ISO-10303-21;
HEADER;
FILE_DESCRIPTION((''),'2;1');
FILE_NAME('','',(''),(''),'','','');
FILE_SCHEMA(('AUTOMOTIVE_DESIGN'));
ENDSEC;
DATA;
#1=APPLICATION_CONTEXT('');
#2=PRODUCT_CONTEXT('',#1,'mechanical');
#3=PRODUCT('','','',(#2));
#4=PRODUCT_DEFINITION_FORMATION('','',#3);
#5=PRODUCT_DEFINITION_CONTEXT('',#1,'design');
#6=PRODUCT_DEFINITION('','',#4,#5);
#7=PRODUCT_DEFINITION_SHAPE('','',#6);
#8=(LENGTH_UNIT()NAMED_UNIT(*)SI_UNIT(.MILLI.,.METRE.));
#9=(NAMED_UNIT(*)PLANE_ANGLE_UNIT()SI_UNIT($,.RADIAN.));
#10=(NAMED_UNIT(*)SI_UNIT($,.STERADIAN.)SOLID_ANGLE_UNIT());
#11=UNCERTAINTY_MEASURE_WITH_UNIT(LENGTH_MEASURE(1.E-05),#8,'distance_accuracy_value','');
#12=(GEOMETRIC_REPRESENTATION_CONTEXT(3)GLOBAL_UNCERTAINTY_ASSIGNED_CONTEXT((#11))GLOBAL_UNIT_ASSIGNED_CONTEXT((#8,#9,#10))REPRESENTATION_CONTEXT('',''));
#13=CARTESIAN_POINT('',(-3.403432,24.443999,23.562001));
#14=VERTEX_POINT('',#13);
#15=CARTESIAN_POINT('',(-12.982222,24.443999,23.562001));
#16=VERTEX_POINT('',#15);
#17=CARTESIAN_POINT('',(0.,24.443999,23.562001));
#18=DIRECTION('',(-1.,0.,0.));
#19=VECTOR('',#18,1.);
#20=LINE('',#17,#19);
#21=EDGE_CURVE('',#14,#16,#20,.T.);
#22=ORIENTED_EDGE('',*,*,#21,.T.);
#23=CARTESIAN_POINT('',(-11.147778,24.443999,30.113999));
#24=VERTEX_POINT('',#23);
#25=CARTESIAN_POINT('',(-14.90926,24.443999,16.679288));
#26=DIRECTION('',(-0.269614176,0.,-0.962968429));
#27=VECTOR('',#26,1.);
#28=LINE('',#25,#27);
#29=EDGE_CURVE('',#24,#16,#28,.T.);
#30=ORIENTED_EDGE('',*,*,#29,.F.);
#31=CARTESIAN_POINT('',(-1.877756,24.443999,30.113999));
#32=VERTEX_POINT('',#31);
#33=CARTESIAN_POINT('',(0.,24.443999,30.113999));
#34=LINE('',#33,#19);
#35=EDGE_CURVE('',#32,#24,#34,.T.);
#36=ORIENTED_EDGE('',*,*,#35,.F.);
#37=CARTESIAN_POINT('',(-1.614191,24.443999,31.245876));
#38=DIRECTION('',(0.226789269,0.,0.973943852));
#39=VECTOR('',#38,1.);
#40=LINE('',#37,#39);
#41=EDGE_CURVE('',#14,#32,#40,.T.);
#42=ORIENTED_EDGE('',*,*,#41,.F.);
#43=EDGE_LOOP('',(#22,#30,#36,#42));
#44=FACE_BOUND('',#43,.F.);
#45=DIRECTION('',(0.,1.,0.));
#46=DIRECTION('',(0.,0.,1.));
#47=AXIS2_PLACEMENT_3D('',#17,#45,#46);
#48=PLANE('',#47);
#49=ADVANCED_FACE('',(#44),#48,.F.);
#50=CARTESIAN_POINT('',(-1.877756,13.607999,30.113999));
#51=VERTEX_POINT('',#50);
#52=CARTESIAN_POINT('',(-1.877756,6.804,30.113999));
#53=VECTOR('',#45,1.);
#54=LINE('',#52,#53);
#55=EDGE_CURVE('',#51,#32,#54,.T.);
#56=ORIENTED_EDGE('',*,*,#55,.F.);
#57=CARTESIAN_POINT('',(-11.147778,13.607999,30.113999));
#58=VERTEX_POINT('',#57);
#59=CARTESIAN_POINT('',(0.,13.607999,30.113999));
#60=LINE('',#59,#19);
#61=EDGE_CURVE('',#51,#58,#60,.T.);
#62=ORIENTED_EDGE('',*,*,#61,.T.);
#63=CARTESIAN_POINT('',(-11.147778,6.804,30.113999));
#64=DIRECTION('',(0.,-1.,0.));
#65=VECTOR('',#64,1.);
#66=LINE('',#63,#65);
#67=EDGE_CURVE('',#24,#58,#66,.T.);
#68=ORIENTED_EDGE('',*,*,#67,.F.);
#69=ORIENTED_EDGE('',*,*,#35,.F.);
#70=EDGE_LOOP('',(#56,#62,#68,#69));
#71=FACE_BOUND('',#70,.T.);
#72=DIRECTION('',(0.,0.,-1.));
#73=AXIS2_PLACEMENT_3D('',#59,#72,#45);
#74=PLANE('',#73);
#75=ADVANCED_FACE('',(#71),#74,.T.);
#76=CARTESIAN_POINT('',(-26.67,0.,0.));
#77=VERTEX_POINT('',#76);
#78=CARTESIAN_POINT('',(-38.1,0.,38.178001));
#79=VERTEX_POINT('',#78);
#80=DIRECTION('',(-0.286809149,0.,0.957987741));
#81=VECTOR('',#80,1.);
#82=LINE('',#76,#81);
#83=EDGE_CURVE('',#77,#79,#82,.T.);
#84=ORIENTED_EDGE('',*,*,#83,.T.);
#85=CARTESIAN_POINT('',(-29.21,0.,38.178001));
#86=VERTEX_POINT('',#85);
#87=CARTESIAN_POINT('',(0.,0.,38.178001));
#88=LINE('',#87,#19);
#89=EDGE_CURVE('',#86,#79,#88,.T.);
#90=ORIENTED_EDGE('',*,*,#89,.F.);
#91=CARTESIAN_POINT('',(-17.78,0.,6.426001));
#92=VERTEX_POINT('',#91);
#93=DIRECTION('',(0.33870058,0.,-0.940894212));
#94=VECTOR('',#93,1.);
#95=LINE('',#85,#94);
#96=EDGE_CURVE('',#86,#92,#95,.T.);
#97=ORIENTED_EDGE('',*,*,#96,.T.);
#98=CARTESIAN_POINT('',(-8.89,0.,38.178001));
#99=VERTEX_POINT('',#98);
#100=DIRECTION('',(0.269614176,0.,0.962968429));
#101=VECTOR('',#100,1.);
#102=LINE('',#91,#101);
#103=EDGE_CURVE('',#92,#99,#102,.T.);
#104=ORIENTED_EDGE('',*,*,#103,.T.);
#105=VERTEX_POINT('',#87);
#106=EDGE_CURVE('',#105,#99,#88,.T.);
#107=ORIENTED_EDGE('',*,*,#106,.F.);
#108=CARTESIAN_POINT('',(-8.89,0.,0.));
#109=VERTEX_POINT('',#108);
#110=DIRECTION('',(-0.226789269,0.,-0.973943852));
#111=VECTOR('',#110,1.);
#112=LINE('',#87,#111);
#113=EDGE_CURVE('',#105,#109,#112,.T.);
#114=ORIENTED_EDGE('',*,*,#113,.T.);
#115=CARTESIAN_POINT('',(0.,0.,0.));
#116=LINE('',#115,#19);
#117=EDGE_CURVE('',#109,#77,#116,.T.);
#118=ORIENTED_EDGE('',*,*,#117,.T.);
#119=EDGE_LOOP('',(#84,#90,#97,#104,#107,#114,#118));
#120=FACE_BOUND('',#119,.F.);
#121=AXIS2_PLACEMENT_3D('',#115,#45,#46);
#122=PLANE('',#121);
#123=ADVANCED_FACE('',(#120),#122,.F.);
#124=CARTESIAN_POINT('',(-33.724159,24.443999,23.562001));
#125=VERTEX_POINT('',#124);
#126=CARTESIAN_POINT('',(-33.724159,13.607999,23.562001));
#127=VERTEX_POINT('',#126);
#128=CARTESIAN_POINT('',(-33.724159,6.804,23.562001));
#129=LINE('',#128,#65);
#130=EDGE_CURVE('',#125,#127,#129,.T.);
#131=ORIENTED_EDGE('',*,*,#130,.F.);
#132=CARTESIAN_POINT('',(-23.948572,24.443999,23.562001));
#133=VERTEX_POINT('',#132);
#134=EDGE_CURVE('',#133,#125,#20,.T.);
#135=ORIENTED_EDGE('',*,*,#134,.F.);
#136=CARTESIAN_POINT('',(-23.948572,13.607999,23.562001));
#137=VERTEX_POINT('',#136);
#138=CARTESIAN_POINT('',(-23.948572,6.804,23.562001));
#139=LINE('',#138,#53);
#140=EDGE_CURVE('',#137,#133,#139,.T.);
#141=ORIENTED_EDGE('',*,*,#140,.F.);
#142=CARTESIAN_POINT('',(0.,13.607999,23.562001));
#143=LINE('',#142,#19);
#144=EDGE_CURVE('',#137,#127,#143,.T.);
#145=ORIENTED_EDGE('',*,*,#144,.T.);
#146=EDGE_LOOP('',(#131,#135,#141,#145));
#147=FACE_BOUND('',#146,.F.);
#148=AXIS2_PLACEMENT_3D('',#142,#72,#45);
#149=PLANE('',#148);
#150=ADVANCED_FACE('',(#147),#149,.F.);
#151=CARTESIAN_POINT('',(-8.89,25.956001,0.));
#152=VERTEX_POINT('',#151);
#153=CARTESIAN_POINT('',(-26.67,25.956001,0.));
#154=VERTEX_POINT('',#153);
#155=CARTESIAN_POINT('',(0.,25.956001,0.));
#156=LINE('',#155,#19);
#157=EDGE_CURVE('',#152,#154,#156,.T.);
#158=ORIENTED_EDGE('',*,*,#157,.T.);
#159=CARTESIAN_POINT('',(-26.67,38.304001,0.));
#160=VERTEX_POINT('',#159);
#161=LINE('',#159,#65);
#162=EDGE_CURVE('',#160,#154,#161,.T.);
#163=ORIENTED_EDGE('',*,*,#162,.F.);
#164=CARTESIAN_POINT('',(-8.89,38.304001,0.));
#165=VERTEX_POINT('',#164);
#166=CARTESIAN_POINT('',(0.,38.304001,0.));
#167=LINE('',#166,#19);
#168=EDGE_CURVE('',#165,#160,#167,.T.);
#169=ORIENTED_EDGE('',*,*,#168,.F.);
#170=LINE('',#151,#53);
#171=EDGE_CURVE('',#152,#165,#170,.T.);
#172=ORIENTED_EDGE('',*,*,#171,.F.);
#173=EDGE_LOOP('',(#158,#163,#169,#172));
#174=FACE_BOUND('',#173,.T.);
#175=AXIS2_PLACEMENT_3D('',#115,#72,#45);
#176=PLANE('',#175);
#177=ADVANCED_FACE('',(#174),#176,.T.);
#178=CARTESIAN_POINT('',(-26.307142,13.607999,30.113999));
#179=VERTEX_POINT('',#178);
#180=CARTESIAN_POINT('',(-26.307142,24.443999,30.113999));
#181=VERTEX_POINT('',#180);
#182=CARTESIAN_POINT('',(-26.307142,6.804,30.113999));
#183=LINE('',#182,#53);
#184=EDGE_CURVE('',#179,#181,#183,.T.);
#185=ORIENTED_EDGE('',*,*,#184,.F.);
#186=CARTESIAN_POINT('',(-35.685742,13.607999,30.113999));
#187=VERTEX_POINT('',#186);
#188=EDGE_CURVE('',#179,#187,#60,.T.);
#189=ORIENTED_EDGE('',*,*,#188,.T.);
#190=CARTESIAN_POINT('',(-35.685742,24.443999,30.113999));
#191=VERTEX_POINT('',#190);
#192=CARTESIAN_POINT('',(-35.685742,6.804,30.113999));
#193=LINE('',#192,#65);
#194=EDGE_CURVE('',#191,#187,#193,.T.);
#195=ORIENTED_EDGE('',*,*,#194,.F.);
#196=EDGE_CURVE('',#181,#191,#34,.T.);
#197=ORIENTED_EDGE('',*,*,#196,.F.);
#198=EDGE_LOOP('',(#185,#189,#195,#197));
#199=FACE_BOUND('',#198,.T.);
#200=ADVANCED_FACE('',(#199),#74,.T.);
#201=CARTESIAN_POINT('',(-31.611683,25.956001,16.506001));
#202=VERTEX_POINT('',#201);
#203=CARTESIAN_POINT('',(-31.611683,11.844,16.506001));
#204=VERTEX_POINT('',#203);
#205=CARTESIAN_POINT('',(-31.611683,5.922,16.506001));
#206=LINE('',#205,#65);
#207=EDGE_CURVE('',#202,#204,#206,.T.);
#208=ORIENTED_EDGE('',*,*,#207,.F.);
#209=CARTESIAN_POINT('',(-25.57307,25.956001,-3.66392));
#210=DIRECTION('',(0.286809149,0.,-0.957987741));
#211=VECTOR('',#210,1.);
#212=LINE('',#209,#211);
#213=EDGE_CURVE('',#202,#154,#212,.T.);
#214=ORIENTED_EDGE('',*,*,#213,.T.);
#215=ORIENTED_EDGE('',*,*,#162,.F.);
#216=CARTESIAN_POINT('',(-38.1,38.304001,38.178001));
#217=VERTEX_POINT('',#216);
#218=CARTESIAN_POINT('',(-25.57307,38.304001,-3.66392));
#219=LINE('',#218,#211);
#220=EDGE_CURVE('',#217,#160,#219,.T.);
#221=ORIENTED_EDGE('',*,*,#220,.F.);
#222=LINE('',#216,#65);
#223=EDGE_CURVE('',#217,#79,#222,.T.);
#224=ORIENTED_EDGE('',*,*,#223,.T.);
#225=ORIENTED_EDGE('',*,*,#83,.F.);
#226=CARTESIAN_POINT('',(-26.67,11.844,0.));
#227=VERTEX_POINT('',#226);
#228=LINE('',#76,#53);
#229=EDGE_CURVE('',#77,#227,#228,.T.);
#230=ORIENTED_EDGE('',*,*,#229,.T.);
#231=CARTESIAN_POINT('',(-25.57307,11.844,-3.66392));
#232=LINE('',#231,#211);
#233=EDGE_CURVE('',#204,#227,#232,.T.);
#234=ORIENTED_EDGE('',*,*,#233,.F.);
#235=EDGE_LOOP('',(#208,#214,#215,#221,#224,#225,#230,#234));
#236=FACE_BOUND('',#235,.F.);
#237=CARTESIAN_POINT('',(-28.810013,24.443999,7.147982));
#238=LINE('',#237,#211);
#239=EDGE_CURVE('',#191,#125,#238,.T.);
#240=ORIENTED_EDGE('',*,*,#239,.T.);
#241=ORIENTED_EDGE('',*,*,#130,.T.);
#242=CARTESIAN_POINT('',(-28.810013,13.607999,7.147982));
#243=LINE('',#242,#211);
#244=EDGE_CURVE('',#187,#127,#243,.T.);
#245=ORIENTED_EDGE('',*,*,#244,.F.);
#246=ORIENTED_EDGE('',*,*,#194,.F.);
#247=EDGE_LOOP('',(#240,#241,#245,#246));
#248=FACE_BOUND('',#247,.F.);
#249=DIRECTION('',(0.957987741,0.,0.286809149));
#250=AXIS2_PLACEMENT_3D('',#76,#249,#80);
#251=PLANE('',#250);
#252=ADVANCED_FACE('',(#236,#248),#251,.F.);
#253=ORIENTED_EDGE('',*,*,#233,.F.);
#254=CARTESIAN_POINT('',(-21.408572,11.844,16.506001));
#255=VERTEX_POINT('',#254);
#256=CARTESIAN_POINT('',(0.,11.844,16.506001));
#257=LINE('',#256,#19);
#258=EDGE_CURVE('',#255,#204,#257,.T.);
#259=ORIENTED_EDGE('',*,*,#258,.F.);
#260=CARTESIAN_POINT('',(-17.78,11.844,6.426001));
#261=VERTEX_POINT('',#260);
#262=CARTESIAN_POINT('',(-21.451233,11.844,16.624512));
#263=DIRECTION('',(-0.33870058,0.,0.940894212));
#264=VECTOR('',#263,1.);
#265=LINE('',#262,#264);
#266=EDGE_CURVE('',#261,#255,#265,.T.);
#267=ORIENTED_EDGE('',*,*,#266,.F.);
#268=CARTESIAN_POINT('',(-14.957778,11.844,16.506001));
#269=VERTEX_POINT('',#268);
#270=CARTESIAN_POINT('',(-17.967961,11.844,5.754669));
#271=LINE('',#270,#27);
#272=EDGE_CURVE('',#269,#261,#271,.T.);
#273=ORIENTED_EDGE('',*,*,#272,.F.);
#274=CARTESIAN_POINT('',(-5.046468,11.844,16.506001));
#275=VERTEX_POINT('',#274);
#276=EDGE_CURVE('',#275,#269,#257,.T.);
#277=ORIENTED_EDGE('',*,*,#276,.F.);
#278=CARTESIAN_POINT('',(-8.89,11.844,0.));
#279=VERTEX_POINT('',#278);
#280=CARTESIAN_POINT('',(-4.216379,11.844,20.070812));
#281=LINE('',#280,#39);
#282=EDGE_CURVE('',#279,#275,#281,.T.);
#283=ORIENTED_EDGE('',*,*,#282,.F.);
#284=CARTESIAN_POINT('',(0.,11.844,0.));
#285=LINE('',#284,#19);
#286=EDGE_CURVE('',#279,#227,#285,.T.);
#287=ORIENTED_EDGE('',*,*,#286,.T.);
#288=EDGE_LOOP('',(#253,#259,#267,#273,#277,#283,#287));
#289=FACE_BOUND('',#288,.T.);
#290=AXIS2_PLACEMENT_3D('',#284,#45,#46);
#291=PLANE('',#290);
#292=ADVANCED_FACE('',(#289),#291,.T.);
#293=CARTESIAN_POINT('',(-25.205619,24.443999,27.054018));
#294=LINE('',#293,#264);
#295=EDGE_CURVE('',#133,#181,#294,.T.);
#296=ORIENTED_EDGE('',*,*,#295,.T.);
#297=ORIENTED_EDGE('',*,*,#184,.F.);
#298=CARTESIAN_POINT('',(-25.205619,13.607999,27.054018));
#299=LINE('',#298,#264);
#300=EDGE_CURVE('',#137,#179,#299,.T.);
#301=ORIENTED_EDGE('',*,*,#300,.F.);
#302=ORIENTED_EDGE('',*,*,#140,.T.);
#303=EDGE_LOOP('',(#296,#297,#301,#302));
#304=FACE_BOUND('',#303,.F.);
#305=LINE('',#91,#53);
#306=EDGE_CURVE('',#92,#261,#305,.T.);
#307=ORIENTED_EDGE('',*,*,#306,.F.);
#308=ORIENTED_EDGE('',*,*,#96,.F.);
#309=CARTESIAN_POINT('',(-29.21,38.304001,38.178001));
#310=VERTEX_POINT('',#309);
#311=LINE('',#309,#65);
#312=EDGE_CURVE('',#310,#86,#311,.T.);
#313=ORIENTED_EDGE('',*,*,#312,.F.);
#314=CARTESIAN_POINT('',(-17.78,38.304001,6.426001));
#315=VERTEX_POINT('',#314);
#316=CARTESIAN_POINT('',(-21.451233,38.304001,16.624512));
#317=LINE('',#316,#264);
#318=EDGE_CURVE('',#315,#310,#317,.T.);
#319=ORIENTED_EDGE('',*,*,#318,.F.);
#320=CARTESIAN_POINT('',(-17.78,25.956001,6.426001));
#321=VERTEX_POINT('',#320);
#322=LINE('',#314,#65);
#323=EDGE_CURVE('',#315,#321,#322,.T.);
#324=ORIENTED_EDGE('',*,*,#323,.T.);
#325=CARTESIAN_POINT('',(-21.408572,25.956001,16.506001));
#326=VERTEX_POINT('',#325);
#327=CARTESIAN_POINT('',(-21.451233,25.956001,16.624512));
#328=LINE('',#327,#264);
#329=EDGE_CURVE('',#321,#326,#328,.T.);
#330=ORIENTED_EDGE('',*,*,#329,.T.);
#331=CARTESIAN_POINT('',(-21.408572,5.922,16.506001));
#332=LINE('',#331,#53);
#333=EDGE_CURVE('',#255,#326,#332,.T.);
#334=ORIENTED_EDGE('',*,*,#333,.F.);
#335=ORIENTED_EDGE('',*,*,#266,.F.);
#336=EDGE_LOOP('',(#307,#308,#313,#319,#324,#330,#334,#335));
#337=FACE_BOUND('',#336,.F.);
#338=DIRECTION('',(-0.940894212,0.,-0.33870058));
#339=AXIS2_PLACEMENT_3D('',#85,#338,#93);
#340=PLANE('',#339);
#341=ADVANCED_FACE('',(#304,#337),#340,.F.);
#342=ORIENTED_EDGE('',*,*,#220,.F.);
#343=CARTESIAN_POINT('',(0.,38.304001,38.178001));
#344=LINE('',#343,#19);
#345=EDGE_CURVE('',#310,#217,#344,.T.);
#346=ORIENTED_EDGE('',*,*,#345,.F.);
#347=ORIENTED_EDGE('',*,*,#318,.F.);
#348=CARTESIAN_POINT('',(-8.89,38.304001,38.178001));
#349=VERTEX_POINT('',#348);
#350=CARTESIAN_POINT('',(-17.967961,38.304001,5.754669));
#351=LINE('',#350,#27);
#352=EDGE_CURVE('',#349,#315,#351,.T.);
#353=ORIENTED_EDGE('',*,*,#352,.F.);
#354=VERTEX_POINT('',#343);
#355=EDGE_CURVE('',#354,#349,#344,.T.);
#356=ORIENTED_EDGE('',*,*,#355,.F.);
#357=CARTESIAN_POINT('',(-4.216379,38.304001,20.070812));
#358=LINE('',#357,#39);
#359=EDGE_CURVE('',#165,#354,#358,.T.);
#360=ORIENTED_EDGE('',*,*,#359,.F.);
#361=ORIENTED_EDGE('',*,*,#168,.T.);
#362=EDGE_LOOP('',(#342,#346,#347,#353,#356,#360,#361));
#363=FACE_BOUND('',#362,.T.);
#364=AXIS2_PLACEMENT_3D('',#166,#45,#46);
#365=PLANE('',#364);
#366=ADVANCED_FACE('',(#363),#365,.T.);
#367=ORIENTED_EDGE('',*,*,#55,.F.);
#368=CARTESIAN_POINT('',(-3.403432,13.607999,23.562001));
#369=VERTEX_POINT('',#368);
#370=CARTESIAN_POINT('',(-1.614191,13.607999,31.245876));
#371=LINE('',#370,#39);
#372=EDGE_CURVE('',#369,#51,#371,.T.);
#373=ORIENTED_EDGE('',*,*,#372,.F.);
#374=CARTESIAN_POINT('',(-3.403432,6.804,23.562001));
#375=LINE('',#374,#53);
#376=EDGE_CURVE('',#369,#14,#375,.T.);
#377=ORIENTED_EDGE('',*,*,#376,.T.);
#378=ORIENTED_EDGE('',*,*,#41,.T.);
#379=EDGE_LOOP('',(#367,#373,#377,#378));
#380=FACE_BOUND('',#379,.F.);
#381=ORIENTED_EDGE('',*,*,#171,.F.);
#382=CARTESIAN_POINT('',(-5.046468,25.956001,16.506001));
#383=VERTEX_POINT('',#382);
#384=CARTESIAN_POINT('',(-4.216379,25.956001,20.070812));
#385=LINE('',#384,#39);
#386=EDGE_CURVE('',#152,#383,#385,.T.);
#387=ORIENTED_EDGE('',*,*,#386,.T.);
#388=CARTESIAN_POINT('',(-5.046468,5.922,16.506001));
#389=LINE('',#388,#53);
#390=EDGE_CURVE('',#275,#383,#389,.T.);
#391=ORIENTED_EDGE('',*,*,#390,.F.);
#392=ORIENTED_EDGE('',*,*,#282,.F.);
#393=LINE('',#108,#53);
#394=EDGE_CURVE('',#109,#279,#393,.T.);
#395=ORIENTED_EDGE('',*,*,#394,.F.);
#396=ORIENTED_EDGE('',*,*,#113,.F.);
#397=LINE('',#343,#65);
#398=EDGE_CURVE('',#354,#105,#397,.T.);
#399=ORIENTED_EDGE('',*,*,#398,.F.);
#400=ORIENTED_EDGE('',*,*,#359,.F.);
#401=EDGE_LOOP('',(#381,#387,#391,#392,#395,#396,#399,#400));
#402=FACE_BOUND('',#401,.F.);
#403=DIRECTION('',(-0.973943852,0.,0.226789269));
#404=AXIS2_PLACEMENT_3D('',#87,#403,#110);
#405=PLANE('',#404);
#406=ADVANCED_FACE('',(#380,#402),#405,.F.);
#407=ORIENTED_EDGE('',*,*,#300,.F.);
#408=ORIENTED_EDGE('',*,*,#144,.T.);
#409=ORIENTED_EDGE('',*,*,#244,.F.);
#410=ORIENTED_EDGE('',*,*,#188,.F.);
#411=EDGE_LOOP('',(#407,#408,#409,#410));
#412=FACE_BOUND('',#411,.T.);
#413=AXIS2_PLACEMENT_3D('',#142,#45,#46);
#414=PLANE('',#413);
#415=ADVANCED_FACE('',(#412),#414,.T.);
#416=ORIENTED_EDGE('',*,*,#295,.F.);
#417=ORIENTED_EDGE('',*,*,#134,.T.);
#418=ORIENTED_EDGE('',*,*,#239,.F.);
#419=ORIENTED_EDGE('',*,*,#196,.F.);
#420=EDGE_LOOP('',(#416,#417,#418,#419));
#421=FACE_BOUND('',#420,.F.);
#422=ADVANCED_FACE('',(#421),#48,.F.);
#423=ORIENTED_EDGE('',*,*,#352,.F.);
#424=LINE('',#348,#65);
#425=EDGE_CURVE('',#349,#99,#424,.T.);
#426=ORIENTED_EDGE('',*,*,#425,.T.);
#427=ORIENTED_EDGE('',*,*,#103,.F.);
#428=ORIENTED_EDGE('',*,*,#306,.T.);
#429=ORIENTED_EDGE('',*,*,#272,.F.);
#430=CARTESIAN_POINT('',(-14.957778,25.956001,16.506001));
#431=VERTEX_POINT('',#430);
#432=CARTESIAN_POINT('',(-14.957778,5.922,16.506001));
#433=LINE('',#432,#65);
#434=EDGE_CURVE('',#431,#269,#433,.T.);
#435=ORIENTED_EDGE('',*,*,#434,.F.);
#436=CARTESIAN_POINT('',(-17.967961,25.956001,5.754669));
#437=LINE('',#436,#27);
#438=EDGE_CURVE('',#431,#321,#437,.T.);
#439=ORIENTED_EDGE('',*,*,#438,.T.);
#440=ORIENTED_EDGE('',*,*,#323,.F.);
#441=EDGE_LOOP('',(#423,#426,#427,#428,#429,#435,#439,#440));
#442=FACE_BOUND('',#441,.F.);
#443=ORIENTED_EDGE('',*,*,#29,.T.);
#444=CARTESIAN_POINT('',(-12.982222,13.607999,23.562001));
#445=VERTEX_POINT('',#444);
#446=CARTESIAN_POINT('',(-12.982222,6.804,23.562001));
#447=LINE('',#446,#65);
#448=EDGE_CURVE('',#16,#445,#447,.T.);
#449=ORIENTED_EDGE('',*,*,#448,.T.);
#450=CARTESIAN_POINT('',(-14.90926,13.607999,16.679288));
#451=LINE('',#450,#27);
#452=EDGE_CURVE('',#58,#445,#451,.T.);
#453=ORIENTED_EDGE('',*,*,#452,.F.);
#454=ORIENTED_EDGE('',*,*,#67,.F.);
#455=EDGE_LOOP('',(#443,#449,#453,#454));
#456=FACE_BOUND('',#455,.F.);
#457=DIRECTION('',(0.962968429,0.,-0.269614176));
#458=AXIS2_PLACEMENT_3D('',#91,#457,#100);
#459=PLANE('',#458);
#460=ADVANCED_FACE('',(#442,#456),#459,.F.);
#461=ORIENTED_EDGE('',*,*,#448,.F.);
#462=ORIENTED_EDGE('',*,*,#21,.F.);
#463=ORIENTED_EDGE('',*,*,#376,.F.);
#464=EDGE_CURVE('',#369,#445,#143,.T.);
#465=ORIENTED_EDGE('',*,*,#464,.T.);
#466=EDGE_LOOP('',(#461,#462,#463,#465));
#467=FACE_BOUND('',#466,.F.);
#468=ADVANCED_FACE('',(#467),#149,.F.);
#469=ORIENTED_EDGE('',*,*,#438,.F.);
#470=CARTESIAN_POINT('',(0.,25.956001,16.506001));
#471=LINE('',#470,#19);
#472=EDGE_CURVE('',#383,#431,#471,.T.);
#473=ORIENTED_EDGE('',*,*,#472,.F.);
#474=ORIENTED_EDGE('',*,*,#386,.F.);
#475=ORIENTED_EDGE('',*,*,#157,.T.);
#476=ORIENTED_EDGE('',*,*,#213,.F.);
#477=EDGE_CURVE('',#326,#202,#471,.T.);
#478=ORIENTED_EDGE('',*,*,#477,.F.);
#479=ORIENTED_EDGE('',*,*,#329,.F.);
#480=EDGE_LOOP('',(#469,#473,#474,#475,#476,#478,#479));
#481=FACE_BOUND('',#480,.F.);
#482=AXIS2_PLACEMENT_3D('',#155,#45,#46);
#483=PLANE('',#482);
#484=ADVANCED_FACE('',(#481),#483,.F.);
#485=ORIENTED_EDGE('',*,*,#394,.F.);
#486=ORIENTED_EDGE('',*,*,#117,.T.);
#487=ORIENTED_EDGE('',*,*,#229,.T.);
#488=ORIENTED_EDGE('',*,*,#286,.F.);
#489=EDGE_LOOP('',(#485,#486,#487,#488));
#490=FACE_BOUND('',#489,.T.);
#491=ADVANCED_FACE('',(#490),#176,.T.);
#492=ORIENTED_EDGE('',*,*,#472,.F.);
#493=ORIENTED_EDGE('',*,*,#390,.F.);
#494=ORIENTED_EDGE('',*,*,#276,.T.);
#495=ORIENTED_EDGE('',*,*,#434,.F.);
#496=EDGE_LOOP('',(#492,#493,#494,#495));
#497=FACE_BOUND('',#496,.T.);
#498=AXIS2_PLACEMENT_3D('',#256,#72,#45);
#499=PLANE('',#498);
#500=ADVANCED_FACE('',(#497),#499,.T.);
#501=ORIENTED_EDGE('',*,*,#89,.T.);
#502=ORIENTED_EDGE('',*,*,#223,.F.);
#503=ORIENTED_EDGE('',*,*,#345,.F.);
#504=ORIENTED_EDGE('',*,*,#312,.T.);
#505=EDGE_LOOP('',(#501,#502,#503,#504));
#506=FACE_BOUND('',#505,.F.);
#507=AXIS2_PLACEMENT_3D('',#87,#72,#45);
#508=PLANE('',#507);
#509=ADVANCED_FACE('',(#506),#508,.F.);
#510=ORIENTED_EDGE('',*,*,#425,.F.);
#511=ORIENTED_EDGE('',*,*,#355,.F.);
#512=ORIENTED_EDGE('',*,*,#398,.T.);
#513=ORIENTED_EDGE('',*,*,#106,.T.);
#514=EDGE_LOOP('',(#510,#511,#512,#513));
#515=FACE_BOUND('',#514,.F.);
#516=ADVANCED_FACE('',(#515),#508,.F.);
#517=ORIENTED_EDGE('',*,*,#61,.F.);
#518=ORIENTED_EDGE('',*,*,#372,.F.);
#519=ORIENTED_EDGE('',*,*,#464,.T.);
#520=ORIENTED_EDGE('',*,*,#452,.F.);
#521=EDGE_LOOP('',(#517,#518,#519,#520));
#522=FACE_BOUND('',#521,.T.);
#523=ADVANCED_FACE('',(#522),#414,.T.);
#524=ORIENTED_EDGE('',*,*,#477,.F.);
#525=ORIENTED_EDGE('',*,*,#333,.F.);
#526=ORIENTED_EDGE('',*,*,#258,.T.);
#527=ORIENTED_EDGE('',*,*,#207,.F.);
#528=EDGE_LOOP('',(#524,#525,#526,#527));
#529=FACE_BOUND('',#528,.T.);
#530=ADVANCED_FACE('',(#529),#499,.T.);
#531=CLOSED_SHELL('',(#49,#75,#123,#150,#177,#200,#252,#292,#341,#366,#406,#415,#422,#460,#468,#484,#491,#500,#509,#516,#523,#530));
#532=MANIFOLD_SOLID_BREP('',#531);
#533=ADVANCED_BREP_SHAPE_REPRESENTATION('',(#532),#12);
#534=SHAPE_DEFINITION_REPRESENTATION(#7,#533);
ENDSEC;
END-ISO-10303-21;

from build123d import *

# Parameters (mm, degrees)
F0_W     = 38.3040010929
F0_H     = 38.1780005991
F1_DEPTH = 38.1
F2_W     = 10.8359996229
F2_H     = 6.5519977361
F2_W_2   = 14.112001285
F2_H_2   = 16.5060013533
F3_DEPTH = 38.1
F5_DEPTH = 38.1
F6_DEPTH = 25.4
F7_DEPTH = 25.4


with BuildPart() as f1:
    # F0 (on Right) → F1 (new body)
    with BuildSketch(Plane.YZ):
        with Locations((19.1520005465, 19.0890002996)):
            Rectangle(F0_W, F0_H)
    extrude(amount=-F1_DEPTH)

    # F2 (on Right) → F3 (cut)
    with BuildSketch(Plane.YZ):
        with Locations((19.0259991214, 26.8379999325)):
            Rectangle(F2_W, F2_H)
        with Locations((18.9000004902, 8.2530006766)):
            Rectangle(F2_W_2, F2_H_2)
    extrude(amount=-F3_DEPTH, mode=Mode.SUBTRACT)

    # F4 (on face) → F5 (cut)
    with BuildSketch(Plane.XZ):
        Polygon((-17.78, 6.426000502), (-8.89, 38.1780005991), (-29.21, 38.1780005991), align=None)
        Polygon((-38.1, 0), (-26.67, 0), (-38.1, 38.1780005991), align=None)
        Polygon((-8.89, 0), (0, 0), (0, 38.1780005991), align=None)
    extrude(amount=-F5_DEPTH, mode=Mode.SUBTRACT)

    # F6 (cut): faces of the model
    f6_faces = [f1.faces().sort_by_distance(p)[0] for p in [
        (-18.6266666667, 38.1, 27.5940005668),
        (-34.29, 38.1, 12.7260001997),
        (-2.9633333333, 38.1, 12.7260001997),
    ]]
    extrude(f6_faces, amount=-F6_DEPTH, mode=Mode.SUBTRACT)

    # F7 (cut): faces of the model
    f7_faces = [f1.faces().sort_by_distance(p)[0] for p in [
        (-4.445, 19.1520005465, 38.1780005991),
        (-33.655, 19.1520005465, 38.1780005991),
    ]]
    extrude(f7_faces, amount=F7_DEPTH, mode=Mode.SUBTRACT)


solid = f1.part
